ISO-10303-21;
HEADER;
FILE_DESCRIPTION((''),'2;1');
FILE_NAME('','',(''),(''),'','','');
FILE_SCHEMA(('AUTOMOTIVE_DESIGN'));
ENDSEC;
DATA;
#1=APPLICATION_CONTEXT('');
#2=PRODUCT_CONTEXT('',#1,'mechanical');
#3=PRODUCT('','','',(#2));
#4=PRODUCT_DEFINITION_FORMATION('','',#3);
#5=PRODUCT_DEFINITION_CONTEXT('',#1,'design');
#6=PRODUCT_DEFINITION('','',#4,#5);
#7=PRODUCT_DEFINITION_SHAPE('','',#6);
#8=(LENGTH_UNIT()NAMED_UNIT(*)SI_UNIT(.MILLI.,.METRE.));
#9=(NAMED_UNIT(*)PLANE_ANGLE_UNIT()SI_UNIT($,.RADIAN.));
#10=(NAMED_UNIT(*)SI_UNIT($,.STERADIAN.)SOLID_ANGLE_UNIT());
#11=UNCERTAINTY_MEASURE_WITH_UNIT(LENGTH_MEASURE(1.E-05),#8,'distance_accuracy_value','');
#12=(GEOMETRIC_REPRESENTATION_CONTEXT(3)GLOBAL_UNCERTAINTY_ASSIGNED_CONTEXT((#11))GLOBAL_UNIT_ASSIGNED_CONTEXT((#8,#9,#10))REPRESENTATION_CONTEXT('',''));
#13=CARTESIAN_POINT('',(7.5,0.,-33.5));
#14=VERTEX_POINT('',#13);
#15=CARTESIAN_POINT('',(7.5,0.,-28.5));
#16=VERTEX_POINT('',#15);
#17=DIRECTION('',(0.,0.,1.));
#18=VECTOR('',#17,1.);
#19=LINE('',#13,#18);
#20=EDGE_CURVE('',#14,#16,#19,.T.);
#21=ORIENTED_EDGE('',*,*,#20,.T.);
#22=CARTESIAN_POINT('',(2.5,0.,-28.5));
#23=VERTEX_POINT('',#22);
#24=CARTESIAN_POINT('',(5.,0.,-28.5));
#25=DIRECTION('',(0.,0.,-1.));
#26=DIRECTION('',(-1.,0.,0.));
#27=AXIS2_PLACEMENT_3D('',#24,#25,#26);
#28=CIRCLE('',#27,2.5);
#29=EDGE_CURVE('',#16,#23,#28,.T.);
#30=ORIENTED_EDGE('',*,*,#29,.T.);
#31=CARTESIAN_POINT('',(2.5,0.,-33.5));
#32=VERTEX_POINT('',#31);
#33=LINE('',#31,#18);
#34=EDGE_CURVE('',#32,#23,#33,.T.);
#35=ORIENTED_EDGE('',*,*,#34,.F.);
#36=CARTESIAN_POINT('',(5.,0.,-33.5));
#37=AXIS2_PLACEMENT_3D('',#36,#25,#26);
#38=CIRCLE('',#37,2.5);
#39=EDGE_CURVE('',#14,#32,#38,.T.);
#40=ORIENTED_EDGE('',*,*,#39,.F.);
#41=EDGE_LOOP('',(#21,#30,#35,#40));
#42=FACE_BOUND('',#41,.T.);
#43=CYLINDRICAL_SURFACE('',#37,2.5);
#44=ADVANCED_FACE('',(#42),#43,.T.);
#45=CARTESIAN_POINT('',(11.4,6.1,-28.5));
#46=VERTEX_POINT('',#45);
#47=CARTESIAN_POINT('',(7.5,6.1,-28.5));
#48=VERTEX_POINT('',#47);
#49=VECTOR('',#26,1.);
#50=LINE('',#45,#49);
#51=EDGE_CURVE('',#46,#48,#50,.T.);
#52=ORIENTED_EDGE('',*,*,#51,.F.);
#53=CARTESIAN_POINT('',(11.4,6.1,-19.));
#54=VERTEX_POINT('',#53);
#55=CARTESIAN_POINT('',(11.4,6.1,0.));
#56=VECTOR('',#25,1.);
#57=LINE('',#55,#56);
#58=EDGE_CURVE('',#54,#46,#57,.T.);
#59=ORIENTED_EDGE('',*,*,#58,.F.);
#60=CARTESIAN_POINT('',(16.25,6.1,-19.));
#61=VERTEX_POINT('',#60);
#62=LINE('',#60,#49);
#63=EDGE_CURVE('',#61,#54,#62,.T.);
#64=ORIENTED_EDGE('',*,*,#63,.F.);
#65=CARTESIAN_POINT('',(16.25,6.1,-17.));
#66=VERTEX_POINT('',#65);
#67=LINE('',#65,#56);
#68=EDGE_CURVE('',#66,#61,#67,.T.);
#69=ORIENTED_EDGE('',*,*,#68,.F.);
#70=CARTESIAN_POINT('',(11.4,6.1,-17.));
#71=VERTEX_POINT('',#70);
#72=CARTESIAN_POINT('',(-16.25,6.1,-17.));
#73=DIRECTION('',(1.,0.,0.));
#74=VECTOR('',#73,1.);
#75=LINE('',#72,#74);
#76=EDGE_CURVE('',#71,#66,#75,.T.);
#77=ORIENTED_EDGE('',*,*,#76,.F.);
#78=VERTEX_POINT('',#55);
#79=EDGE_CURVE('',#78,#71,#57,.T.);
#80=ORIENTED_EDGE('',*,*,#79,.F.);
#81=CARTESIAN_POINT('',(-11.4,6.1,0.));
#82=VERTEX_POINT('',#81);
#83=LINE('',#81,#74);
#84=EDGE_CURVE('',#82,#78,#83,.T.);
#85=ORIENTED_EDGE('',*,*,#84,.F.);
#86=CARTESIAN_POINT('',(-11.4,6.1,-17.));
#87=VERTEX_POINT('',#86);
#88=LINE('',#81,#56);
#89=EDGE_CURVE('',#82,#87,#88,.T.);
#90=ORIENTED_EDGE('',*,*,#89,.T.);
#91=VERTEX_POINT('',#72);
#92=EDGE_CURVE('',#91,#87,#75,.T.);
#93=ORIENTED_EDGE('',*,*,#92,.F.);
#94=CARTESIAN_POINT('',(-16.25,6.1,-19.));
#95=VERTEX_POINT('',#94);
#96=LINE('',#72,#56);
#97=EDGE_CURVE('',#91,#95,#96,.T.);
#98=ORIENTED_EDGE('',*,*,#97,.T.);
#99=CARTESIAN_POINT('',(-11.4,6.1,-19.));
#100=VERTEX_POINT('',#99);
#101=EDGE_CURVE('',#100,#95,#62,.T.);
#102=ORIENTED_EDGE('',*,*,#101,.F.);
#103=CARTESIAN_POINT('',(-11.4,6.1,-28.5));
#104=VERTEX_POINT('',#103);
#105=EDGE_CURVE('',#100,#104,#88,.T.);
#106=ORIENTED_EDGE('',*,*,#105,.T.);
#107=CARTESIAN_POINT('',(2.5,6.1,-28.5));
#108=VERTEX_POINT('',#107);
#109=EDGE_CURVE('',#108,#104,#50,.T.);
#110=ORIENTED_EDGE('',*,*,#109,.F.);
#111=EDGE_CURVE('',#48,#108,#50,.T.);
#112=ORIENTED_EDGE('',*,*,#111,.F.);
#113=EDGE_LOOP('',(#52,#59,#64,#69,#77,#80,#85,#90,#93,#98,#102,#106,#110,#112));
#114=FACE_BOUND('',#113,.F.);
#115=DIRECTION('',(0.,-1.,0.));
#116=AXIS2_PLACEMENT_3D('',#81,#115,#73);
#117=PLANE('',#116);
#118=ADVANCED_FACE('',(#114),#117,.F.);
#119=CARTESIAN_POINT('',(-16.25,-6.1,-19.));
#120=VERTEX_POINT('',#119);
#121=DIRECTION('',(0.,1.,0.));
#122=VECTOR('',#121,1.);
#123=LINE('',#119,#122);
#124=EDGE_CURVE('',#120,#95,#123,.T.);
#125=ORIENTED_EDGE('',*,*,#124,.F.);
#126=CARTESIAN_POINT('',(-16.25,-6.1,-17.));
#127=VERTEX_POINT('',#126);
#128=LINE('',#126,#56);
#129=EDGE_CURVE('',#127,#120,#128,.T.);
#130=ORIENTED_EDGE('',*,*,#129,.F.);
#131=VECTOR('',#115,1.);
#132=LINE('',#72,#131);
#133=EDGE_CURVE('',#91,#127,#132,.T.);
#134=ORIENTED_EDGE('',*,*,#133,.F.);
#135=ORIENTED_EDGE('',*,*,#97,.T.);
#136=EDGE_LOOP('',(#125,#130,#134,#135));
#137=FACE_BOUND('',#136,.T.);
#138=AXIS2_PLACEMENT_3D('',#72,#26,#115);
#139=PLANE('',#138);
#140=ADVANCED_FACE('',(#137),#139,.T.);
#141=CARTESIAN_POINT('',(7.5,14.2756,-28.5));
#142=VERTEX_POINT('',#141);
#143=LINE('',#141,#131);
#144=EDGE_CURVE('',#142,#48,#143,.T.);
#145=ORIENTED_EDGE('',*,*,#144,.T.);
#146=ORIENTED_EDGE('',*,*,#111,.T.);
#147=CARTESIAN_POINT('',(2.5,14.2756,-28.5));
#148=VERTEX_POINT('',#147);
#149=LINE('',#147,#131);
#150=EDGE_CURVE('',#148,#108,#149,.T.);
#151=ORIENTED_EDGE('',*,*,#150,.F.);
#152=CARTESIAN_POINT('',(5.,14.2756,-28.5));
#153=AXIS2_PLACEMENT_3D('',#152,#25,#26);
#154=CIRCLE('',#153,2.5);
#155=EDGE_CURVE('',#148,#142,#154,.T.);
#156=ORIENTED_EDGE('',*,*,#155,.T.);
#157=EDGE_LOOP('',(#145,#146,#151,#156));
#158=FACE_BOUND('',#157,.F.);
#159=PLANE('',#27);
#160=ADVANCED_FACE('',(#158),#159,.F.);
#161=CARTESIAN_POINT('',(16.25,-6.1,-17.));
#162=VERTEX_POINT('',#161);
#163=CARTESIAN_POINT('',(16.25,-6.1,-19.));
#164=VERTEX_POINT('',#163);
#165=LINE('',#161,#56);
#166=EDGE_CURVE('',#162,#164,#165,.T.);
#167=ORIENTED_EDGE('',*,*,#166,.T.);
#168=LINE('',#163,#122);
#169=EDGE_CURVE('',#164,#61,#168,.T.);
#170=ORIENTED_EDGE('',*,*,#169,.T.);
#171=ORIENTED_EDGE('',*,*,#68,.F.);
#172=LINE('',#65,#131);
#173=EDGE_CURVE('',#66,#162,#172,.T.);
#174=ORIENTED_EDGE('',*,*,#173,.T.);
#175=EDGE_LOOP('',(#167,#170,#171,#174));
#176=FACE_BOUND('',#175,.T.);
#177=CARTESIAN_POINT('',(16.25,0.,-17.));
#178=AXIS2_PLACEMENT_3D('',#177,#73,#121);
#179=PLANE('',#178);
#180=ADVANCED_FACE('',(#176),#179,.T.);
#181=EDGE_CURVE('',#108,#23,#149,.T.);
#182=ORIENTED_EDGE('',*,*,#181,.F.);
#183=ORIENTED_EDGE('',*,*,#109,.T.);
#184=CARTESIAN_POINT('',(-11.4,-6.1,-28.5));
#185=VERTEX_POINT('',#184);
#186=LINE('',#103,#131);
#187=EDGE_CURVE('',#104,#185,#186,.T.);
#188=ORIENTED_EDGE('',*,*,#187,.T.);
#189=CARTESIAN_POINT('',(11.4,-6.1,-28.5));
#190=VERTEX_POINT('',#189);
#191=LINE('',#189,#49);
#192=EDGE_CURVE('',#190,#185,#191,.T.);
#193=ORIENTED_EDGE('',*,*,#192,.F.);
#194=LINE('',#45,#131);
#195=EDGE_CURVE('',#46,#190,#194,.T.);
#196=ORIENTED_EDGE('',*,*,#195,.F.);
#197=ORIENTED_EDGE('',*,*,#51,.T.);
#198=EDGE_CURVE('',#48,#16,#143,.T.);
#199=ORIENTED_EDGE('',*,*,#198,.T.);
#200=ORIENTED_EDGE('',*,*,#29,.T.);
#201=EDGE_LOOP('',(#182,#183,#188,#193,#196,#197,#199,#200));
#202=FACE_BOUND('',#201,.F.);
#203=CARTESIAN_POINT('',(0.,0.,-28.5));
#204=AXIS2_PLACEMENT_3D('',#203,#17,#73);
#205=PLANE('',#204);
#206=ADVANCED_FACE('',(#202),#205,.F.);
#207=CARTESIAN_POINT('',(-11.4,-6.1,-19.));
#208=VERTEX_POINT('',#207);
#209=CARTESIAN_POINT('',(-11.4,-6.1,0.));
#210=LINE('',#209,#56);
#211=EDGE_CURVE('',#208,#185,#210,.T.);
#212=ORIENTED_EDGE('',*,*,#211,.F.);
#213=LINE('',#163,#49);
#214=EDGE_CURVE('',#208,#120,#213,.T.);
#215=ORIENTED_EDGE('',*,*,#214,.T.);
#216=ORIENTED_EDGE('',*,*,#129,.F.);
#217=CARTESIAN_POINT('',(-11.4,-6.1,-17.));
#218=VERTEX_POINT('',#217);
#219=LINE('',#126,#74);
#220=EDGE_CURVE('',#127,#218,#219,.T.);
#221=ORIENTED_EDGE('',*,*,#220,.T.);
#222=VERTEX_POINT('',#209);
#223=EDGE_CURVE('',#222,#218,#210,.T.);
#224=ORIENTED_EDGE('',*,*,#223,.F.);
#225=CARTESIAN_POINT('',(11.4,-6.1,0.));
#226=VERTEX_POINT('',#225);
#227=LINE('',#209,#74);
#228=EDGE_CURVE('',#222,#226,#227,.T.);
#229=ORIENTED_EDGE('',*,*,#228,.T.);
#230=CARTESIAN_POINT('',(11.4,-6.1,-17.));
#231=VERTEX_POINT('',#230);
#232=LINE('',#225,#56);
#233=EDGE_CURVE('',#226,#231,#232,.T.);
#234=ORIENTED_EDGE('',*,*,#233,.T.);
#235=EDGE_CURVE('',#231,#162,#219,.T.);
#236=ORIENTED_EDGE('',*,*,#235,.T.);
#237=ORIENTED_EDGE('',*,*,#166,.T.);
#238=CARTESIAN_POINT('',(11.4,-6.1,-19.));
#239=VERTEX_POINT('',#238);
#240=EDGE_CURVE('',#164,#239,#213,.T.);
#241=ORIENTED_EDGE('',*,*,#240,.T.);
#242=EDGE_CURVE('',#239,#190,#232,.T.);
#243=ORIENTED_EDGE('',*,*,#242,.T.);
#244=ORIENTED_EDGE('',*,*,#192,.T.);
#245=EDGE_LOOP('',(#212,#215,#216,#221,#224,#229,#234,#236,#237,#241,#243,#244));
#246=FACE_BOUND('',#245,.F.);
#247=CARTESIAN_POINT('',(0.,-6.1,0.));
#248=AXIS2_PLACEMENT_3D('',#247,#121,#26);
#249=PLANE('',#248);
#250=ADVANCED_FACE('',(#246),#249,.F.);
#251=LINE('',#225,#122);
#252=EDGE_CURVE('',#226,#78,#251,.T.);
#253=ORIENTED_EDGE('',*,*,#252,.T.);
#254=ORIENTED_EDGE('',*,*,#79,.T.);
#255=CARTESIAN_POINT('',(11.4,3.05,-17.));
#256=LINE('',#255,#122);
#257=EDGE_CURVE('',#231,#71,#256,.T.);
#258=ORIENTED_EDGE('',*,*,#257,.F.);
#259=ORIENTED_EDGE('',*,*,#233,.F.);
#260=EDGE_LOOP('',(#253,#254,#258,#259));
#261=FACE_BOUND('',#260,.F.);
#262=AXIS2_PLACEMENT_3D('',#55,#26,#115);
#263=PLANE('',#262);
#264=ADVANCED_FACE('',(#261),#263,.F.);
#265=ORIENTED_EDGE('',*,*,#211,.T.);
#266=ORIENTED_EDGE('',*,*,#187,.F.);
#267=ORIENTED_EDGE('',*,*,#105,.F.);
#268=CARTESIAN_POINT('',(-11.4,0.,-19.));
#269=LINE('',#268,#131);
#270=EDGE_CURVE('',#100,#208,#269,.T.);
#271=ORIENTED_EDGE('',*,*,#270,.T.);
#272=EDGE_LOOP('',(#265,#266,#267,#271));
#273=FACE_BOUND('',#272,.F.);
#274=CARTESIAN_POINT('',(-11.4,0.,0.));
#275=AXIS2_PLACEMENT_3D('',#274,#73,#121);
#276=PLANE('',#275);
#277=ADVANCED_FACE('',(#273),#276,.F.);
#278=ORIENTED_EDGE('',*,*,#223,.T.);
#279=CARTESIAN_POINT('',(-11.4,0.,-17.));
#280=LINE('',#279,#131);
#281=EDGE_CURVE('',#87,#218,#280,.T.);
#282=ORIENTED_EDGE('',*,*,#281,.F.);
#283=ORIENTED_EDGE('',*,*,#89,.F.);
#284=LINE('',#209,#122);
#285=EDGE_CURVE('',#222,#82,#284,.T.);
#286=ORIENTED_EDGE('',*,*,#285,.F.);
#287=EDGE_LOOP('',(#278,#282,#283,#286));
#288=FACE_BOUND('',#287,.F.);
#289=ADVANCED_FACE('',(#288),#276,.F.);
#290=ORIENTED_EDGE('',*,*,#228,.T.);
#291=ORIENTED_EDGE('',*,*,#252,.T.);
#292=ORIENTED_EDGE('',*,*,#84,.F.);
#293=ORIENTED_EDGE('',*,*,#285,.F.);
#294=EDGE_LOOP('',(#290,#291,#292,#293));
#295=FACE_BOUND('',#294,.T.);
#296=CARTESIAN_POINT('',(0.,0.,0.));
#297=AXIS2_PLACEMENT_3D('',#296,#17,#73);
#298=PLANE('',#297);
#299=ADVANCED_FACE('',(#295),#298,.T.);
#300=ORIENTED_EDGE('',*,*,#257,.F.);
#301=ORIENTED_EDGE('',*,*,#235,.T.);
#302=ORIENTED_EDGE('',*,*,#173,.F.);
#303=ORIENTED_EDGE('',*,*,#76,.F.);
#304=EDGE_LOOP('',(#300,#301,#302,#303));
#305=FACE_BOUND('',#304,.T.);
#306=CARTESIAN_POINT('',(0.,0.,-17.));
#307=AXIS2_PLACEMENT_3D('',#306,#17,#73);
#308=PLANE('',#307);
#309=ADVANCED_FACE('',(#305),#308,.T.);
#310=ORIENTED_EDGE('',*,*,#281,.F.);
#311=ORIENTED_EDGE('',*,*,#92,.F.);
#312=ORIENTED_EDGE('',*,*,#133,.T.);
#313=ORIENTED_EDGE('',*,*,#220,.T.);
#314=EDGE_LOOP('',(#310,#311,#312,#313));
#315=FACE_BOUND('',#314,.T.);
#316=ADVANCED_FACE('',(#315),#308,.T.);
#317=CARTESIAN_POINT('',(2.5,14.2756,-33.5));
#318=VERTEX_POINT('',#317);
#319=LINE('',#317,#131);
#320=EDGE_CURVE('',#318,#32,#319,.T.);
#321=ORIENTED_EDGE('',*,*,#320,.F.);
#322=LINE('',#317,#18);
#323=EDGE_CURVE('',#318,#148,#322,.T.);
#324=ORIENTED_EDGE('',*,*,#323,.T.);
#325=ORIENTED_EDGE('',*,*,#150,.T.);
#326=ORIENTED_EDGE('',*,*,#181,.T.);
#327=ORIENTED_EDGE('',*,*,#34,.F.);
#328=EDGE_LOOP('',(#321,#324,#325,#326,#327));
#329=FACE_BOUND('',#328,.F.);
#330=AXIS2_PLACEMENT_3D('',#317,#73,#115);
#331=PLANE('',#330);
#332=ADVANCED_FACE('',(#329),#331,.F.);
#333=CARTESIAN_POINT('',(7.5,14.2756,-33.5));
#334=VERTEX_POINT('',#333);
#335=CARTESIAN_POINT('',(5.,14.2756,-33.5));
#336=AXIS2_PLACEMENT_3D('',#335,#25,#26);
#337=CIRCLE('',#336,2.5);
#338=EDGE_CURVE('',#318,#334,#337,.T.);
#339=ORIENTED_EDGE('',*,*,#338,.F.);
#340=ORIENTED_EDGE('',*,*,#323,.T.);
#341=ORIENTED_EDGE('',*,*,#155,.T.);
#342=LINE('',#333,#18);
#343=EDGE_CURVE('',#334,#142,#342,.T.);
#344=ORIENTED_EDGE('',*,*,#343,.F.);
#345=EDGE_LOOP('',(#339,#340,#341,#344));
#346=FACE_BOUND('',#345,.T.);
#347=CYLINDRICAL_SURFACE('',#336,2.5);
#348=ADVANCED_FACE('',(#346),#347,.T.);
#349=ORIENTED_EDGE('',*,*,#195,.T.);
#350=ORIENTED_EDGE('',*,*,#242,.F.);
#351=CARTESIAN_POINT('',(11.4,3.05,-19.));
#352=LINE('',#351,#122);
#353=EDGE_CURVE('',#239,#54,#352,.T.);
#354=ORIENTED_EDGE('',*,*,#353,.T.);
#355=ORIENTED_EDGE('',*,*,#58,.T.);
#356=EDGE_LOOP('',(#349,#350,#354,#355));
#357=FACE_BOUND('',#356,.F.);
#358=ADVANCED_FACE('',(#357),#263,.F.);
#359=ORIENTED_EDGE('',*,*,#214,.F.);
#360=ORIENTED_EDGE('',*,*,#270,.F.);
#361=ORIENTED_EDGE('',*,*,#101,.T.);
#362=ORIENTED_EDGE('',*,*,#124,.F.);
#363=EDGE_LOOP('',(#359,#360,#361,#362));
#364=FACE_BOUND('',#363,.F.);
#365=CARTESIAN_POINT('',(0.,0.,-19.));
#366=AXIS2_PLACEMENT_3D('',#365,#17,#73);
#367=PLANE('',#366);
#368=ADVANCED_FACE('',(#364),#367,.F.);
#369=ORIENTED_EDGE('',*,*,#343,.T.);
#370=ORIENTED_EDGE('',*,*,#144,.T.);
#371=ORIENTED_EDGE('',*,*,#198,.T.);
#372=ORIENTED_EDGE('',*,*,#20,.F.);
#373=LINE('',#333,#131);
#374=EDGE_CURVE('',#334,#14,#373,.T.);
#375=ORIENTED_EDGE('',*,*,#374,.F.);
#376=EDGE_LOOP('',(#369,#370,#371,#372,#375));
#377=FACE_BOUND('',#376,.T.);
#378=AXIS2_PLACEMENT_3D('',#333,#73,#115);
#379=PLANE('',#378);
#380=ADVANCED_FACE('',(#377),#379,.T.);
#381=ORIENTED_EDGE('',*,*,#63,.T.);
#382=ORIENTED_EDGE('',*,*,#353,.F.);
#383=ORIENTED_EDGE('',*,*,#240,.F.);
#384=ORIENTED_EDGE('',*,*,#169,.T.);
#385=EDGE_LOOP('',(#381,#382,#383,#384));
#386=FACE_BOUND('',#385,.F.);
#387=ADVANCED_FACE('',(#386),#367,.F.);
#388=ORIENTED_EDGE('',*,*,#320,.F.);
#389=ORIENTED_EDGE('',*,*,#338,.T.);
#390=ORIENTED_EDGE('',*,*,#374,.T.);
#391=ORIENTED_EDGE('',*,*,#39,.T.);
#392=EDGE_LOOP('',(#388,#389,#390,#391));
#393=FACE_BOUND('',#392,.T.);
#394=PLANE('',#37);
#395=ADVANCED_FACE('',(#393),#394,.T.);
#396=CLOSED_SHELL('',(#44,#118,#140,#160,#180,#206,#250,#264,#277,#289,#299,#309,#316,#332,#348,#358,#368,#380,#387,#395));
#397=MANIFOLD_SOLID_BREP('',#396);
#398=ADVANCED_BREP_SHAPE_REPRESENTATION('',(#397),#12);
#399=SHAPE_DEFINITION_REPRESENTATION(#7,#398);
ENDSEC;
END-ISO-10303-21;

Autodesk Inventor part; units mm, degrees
ref_plane "YZ Plane" through (0, 0, 0) normal (1, 0, 0) x (0, 1, 0)
ref_plane "XZ Plane" through (0, 0, 0) normal (0, 1, 0) x (-1, 0, 0)
sketch "Náčrt1" plane through (0, 0, 0) normal (0, 0, 1) x (1, 0, 0)
  line L0 (-11.4, 6.1) -> (11.4, 6.1)
  line L1 (11.4, 6.1) -> (11.4, -6.1)
  line L2 (11.4, -6.1) -> (-11.4, -6.1)
  line L3 (-11.4, -6.1) -> (-11.4, 6.1)
  line L4 (0, 8.54) -> (0, -8.54) projected
  line L5 (-15.96, 0) -> (15.96, 0) projected
  point P0 (0, 0)
  dimension "d0" = 22.8
  dimension "d1" = 12.2
extrude "Vysunutí1" add sketch "Náčrt1" against normal blind 28.5
ref_plane "Pracovní rovina1" through (0, 0, -17) normal (0, 0, 1) x (1, 0, 0)
sketch "Náčrt2" plane through (0, 0, -17) normal (0, 0, 1) x (1, 0, 0)
  line L0 (11.4, 6.1) -> (11.4, -6.1) projected
  line L1 (11.4, -6.1) -> (-11.4, -6.1) projected
  line L2 (-11.4, -6.1) -> (-11.4, 6.1) projected
  line L3 (-11.4, 6.1) -> (11.4, 6.1) projected
  line L4 (16.25, 6.1) -> (-16.25, 6.1)
  line L5 (-16.25, 6.1) -> (-16.25, -6.1)
  line L6 (-16.25, -6.1) -> (16.25, -6.1)
  line L7 (16.25, -6.1) -> (16.25, 6.1)
  line L8 (-22.75, 0) -> (22.75, 0) projected
  line L9 (0, 8.54) -> (0, -8.54) projected
  point P0 (0, 0)
  dimension "d5" = 32.5
  dimension "d6" = 12.2
extrude "Vysunutí2" add sketch "Náčrt2" against normal blind 2
ref_plane "Pracovní rovina2" through (5, 0, -33.5) normal (0, 0, -1) x (-1, 0, 0)
sketch "Náčrt4" plane through (5, 0, -33.5) normal (0, 0, -1) x (-1, 0, 0)
  circle A0 centre (0, 0) radius 2.5 projected
  circle A1 centre (0, 14.2756) radius 2.5
  line L0 (2.5, 14.2756) -> (2.5, 0)
  line L1 (-26.45, 0) -> (29.2, 0) projected
  line L2 (5, -10.6881) -> (5, 21.4288) projected
  line L3 (-2.5, 14.2756) -> (-2.5, 0)
  point P0 (5, 0)
  dimension "d15" = 90
  dimension "d16" = 2.5
extrude "Vysunutí4" add sketch "Náčrt4" against normal blind 5
properties part number "Servo" material "LCP plast"
